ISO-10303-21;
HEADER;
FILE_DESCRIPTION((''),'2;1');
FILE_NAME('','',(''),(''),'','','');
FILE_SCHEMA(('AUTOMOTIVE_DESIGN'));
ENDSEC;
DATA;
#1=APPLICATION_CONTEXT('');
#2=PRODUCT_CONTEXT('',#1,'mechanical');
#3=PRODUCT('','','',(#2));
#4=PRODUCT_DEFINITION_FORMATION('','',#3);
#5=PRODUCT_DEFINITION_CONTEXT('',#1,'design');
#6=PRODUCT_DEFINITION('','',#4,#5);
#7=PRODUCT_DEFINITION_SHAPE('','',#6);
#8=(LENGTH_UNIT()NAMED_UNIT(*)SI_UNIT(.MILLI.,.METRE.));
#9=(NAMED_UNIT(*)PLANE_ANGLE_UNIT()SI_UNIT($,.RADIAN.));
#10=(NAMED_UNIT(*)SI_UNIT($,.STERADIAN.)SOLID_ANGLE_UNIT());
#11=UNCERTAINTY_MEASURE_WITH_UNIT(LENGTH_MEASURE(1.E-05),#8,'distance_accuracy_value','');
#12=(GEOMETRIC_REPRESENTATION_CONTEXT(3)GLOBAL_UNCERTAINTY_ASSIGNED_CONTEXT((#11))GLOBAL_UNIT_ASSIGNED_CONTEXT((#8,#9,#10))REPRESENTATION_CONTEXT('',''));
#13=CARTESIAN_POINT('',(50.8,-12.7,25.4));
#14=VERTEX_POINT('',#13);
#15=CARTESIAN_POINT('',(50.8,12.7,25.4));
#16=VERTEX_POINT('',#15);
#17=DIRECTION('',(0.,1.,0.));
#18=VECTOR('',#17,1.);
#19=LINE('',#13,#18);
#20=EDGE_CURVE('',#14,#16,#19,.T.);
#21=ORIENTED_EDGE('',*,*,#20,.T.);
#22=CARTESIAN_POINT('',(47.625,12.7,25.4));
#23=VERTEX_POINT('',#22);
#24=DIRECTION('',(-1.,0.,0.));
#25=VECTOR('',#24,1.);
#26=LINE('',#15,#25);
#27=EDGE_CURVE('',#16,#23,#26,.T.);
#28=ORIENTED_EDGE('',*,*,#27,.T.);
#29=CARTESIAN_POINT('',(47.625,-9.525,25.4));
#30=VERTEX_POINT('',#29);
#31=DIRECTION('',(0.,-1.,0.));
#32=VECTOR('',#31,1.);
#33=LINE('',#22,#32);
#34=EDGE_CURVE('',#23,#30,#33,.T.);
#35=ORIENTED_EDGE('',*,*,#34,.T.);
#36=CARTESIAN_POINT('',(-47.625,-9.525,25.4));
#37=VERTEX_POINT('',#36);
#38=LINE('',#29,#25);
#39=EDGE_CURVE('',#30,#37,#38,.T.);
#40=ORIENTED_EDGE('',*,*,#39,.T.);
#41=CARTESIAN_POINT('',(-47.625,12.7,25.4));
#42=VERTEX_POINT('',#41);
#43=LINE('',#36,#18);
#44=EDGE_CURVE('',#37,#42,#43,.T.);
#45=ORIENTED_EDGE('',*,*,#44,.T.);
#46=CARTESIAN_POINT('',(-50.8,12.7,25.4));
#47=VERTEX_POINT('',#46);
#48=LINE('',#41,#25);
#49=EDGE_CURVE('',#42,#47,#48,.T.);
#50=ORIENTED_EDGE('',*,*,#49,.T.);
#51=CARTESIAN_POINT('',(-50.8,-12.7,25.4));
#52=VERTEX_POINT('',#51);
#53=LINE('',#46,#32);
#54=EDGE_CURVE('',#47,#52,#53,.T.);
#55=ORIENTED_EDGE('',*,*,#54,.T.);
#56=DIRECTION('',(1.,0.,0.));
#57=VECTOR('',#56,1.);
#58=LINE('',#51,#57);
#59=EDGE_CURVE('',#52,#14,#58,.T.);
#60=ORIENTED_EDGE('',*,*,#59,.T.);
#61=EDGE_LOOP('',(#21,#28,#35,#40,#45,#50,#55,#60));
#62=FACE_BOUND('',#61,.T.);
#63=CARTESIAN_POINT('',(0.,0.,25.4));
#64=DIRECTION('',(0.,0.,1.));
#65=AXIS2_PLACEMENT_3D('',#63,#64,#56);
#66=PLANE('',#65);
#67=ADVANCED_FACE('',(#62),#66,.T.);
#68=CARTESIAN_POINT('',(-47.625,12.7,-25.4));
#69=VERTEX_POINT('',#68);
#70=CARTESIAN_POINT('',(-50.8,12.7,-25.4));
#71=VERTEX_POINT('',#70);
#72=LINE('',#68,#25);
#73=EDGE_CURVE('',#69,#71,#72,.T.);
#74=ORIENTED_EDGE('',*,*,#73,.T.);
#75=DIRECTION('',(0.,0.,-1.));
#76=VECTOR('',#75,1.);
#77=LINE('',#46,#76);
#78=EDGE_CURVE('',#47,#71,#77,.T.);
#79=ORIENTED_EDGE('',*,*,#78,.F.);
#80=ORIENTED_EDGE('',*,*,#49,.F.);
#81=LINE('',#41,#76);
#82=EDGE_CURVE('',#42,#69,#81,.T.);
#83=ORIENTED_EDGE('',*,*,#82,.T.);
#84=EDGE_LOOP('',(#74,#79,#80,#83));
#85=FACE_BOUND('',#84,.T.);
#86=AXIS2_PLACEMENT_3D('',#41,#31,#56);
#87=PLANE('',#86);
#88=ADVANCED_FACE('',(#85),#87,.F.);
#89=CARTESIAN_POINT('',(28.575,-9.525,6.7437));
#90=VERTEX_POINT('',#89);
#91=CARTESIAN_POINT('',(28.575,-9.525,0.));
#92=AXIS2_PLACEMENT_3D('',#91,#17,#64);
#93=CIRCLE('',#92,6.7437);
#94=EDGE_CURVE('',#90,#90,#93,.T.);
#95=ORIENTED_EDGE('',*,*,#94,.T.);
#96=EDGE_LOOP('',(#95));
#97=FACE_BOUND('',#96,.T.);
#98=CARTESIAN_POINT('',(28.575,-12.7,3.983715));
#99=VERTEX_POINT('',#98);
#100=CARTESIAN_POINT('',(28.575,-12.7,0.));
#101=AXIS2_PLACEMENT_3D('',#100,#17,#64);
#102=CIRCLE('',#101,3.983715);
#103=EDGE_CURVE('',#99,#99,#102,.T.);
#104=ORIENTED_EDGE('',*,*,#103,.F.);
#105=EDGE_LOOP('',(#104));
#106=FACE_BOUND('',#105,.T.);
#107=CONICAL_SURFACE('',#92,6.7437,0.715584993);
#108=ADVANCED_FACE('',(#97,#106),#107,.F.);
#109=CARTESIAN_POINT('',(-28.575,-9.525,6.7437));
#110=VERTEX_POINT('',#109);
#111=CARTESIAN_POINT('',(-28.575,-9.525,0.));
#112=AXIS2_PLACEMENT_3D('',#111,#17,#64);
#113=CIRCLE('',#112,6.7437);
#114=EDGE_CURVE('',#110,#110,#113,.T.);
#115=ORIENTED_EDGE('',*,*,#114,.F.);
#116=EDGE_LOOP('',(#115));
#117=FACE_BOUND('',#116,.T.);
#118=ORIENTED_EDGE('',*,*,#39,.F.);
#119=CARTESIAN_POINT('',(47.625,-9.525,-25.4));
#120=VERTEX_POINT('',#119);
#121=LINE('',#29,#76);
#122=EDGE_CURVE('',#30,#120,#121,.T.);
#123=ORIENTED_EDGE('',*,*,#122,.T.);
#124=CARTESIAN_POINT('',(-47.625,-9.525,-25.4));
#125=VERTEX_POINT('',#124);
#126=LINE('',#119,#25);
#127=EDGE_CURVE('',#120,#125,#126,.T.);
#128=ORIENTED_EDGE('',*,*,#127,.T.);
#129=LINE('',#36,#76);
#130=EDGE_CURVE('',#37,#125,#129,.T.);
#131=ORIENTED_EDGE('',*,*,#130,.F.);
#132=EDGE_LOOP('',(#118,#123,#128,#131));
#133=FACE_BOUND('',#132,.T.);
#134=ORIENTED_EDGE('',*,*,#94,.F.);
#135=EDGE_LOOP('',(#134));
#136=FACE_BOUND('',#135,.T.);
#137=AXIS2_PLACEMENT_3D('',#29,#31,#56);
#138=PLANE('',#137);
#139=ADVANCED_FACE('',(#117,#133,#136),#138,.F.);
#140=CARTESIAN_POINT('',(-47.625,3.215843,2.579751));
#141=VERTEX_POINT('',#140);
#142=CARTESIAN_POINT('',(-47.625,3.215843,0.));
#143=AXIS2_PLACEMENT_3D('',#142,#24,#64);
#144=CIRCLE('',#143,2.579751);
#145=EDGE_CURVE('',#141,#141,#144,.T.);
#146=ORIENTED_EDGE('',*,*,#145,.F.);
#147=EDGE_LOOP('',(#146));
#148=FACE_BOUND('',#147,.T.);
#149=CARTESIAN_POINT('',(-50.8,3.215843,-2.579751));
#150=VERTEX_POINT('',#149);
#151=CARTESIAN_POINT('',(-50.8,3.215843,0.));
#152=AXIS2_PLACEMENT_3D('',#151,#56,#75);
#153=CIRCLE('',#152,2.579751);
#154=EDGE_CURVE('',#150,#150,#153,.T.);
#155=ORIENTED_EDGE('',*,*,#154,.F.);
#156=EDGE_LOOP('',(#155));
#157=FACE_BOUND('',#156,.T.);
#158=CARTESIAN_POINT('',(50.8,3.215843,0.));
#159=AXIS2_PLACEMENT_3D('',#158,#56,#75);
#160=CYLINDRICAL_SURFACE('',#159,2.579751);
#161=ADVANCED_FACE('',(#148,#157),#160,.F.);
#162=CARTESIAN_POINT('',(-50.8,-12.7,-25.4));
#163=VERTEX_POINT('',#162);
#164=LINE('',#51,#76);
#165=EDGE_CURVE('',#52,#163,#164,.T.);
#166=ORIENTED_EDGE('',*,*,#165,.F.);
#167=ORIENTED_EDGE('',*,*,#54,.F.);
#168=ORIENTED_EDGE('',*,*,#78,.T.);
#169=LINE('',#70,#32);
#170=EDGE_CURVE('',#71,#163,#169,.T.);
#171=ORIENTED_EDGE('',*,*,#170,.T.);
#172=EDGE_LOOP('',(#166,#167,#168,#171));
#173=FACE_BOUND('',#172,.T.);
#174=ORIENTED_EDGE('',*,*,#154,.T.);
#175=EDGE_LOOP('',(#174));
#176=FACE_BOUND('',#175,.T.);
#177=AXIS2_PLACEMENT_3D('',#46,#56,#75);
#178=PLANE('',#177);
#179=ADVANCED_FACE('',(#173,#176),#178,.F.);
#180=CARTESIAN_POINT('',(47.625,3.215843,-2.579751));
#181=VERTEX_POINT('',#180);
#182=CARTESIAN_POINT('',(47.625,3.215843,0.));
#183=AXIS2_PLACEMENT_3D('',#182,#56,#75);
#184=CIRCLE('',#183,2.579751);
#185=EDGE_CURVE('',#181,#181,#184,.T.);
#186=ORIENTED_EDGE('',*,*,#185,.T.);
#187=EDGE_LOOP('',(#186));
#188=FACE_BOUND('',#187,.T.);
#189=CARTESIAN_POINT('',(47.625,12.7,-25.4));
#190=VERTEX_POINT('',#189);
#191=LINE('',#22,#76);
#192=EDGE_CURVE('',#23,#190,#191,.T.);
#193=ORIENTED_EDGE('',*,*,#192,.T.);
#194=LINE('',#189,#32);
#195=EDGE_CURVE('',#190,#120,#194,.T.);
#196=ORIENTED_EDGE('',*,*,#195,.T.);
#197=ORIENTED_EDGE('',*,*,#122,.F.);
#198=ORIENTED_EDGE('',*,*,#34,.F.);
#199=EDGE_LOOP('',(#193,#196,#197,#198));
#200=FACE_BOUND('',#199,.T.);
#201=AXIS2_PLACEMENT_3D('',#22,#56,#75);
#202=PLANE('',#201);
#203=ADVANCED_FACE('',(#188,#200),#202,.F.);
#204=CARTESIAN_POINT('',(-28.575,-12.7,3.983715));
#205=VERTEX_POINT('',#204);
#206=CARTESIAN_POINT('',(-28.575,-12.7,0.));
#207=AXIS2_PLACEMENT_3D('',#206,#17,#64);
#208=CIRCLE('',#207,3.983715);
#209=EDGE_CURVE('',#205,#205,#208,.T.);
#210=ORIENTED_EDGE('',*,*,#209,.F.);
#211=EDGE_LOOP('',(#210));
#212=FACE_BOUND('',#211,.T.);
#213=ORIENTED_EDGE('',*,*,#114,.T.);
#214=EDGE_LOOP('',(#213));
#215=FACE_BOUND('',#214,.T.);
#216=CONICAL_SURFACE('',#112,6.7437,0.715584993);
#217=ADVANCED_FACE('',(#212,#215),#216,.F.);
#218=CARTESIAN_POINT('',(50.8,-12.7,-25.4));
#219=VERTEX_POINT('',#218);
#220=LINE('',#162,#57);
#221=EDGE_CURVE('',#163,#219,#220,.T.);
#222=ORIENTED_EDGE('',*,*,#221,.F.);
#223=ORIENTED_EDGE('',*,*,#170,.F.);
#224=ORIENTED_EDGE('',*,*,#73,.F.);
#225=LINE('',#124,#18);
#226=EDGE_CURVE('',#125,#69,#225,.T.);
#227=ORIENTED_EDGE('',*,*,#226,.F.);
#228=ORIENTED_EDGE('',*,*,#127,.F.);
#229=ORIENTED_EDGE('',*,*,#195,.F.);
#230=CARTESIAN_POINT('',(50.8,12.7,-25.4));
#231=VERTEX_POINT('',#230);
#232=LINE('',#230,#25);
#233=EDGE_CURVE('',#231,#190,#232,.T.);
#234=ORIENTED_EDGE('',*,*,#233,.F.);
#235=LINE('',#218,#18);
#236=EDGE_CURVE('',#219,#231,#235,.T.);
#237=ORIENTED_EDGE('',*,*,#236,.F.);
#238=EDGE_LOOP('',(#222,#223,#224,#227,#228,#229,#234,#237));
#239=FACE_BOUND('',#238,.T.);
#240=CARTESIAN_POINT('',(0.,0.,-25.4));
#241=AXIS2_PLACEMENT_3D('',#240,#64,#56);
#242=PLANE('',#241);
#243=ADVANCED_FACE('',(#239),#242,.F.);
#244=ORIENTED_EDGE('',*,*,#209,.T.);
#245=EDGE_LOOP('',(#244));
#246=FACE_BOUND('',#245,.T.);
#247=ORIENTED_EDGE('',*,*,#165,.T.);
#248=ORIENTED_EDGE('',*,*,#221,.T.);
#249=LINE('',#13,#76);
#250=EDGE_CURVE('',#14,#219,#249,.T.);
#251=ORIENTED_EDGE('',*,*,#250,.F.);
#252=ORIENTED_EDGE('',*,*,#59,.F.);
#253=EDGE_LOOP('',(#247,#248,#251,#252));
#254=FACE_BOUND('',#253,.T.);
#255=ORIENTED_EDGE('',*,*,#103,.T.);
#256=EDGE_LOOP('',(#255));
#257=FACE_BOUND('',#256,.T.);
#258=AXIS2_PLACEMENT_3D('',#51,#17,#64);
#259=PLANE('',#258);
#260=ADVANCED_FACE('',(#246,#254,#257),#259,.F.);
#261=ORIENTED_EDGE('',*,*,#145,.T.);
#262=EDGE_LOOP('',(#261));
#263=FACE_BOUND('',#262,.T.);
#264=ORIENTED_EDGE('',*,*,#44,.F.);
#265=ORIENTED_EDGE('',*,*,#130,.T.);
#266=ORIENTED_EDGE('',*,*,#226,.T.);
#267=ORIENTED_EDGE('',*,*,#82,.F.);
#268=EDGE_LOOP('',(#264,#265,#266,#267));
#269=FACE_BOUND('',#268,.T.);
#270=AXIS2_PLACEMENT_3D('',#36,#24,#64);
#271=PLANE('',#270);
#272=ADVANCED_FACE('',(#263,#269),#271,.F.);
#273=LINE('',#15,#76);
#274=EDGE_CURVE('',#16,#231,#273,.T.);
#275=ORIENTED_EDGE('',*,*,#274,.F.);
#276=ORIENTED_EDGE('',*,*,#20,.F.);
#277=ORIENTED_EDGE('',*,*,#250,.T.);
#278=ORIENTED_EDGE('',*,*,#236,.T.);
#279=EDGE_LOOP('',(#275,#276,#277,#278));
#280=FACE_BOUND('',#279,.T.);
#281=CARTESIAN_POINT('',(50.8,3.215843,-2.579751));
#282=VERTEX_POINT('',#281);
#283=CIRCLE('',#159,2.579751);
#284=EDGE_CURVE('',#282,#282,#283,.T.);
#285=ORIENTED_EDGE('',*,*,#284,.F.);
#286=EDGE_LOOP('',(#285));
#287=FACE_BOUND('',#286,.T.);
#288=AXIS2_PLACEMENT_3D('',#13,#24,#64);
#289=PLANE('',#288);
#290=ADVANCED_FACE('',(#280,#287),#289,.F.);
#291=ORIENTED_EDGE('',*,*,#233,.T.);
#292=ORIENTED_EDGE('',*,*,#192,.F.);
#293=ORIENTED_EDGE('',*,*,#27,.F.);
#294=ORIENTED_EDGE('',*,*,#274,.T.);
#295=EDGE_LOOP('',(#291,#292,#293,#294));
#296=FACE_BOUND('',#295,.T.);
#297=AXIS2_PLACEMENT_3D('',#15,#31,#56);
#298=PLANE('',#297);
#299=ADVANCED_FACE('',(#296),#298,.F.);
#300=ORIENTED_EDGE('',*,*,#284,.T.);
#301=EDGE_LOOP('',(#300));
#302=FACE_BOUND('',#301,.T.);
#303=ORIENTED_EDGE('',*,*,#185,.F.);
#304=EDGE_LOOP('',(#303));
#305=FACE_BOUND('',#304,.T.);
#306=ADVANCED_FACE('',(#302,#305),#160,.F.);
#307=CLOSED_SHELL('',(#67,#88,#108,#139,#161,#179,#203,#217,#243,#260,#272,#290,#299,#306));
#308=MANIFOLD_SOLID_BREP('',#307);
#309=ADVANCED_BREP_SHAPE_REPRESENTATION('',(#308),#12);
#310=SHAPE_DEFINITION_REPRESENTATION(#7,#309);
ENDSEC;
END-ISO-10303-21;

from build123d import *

# Parameters (mm, degrees)
BOSS_EXTRUDE2_DEPTH                  = 25.4
F_1_4_0_25_DIAMETER_HOLE1_AT_2_COUNT = 2
F_1_4_0_25_DIAMETER_HOLE1_AT_2_PITCH = 57.15
F_13_64_0_20313_DIAMETER_HOLE1_D     = 5.159502


with BuildPart() as part:
    # Sketch3 → Boss-Extrude2 (new, symmetric)
    with BuildSketch(Plane.XY):
        Polygon((-50.8, 12.7), (-50.8, -12.7), (50.8, -12.7), (50.8, 12.7), (47.625, 12.7), (47.625, -9.525), (-47.625, -9.525), (-47.625, 12.7), align=None)
    extrude(amount=BOSS_EXTRUDE2_DEPTH, both=True)

    # Sketch6 → 1/4 (0.25) Diameter Hole1 (revolve, cut)
    with BuildSketch(Plane(origin=(-28.575, -9.525, 0), x_dir=(0, 0, 1), z_dir=(1, 0, 0))):
        Polygon((0, 0), (0, 3.175), (3.175, 3.175), (3.175, 4.105319735), (6.7437, 0), align=None)
    f_1_4_0_25_diameter_hole1 = revolve(axis=Axis((-28.575, -3.175, 0), (0, -1, 0)), mode=Mode.SUBTRACT)

    # 1/4 (0.25) Diameter Hole1 at 2: 1/4 (0.25) Diameter Hole1 ×2
    with Locations(*[(i * F_1_4_0_25_DIAMETER_HOLE1_AT_2_PITCH, 0, 0) for i in range(1, F_1_4_0_25_DIAMETER_HOLE1_AT_2_COUNT)]):
        add(f_1_4_0_25_diameter_hole1, mode=Mode.SUBTRACT)

    # 13/64 (0.20313) Diameter Hole1 (through all)
    with Locations(Plane(origin=(50.8, 0, 0), x_dir=(0, 0, -1), z_dir=(1, 0, 0))):
        with Locations((0, 3.215843377)):
            Hole(F_13_64_0_20313_DIAMETER_HOLE1_D / 2)


solid = part.part
